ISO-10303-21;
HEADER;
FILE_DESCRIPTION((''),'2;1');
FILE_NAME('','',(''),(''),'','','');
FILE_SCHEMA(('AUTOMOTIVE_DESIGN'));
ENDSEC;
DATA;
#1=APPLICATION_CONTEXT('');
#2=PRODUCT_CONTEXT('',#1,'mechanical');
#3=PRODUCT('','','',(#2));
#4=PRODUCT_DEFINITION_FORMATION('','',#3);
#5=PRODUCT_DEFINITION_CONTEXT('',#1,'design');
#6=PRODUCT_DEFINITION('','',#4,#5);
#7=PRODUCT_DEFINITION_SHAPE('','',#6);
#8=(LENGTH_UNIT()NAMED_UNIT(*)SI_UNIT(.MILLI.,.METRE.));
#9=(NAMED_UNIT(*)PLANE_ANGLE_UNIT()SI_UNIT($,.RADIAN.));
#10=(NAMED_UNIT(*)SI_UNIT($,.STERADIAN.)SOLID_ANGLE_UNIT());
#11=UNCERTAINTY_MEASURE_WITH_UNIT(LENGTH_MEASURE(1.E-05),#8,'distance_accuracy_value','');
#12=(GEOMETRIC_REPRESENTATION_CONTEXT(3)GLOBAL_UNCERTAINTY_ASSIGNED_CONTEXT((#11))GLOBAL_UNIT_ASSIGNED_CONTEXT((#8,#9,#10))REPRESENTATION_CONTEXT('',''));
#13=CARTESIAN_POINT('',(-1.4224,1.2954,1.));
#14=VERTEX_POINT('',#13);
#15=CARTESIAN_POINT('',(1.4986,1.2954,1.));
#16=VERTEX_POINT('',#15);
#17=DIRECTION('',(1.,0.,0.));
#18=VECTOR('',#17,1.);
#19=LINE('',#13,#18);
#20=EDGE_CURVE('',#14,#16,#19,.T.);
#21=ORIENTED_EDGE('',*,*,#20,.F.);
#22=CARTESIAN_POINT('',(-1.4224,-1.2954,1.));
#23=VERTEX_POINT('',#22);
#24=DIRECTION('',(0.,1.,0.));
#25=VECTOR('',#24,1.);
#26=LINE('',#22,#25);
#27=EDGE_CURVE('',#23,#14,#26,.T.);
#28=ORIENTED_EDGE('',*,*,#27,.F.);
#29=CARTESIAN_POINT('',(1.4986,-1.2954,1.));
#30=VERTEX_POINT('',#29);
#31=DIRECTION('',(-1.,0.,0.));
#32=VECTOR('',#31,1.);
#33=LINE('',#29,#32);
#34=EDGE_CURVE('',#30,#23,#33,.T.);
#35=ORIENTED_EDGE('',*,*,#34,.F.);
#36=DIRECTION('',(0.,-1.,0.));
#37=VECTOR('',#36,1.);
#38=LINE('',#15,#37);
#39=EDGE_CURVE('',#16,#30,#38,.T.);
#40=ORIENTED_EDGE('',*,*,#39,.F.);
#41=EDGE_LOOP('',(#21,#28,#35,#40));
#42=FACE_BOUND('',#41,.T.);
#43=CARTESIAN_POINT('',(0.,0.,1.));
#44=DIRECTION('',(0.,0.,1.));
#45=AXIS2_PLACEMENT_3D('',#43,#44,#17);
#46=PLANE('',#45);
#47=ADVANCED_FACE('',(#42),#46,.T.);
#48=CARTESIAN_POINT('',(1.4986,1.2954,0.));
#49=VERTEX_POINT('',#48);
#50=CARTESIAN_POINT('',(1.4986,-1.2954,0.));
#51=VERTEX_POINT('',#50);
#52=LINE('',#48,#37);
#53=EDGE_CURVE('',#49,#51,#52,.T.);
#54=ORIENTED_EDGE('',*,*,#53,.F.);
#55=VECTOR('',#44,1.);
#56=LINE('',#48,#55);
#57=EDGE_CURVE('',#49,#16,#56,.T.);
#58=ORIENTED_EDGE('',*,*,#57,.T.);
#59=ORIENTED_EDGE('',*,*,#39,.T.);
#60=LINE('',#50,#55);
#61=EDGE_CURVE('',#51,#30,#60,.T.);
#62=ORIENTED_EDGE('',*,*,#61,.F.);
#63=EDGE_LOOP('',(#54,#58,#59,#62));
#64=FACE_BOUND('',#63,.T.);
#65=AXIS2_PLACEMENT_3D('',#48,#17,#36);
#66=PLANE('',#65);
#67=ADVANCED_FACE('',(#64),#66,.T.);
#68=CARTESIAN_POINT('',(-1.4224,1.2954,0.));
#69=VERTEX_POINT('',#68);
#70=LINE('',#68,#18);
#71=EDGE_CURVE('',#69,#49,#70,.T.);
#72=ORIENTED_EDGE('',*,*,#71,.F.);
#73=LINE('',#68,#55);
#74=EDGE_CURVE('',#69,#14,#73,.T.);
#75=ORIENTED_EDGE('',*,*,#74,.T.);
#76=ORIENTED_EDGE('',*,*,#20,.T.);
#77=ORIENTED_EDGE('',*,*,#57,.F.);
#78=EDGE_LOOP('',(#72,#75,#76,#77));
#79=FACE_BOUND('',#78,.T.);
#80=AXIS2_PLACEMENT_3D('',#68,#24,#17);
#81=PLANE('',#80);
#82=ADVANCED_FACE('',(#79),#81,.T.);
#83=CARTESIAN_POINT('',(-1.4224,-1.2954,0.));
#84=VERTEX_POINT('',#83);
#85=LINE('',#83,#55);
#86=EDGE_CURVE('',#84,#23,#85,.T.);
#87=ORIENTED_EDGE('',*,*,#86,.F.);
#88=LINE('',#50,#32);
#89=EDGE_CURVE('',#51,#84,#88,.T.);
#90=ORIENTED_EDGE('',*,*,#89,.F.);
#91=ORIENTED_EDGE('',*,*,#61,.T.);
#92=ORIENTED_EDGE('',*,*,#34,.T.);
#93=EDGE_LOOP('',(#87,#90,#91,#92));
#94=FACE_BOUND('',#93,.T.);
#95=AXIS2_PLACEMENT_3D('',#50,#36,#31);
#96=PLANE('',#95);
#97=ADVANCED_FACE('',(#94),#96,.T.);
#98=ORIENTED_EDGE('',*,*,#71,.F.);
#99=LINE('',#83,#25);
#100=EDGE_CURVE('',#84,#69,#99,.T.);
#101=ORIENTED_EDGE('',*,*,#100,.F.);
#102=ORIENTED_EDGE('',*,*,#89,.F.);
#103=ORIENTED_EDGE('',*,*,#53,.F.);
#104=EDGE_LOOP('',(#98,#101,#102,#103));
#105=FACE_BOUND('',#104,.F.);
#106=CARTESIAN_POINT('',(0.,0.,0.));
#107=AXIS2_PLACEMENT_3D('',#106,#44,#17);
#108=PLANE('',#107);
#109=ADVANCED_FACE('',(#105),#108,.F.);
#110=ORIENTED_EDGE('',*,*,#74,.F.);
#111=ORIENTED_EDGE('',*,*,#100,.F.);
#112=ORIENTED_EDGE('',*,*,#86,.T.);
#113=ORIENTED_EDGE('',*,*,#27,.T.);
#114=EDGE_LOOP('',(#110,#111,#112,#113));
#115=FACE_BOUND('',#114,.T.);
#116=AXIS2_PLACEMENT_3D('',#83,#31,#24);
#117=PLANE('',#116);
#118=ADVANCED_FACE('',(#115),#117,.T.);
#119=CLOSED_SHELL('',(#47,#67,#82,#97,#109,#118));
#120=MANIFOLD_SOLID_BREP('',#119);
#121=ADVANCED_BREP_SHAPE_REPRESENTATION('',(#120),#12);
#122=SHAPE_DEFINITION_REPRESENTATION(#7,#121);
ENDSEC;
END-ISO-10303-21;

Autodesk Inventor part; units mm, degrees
ref_plane "YZ Plane" through (0, 0, 0) normal (1, 0, 0) x (0, 1, 0)
ref_plane "XZ Plane" through (0, 0, 0) normal (0, 1, 0) x (-1, 0, 0)
ref_plane "XY Plane" through (0, 0, 0) normal (0, 0, 1) x (1, 0, 0)
sketch "SOT23, 2N7002_26" plane through (0, 0, 0) normal (0, 0, 1) x (1, 0, 0)
  line L0 (-1.4224, 1.2954) -> (1.4986, 1.2954)
  line L1 (1.4986, 1.2954) -> (1.4986, -1.2954)
  line L2 (1.4986, -1.2954) -> (-1.4224, -1.2954)
  line L3 (-1.4224, -1.2954) -> (-1.4224, 1.2954)
extrude "Extrusion1" add sketch "SOT23, 2N7002_26" along normal blind 1
properties part number "2N7002"
